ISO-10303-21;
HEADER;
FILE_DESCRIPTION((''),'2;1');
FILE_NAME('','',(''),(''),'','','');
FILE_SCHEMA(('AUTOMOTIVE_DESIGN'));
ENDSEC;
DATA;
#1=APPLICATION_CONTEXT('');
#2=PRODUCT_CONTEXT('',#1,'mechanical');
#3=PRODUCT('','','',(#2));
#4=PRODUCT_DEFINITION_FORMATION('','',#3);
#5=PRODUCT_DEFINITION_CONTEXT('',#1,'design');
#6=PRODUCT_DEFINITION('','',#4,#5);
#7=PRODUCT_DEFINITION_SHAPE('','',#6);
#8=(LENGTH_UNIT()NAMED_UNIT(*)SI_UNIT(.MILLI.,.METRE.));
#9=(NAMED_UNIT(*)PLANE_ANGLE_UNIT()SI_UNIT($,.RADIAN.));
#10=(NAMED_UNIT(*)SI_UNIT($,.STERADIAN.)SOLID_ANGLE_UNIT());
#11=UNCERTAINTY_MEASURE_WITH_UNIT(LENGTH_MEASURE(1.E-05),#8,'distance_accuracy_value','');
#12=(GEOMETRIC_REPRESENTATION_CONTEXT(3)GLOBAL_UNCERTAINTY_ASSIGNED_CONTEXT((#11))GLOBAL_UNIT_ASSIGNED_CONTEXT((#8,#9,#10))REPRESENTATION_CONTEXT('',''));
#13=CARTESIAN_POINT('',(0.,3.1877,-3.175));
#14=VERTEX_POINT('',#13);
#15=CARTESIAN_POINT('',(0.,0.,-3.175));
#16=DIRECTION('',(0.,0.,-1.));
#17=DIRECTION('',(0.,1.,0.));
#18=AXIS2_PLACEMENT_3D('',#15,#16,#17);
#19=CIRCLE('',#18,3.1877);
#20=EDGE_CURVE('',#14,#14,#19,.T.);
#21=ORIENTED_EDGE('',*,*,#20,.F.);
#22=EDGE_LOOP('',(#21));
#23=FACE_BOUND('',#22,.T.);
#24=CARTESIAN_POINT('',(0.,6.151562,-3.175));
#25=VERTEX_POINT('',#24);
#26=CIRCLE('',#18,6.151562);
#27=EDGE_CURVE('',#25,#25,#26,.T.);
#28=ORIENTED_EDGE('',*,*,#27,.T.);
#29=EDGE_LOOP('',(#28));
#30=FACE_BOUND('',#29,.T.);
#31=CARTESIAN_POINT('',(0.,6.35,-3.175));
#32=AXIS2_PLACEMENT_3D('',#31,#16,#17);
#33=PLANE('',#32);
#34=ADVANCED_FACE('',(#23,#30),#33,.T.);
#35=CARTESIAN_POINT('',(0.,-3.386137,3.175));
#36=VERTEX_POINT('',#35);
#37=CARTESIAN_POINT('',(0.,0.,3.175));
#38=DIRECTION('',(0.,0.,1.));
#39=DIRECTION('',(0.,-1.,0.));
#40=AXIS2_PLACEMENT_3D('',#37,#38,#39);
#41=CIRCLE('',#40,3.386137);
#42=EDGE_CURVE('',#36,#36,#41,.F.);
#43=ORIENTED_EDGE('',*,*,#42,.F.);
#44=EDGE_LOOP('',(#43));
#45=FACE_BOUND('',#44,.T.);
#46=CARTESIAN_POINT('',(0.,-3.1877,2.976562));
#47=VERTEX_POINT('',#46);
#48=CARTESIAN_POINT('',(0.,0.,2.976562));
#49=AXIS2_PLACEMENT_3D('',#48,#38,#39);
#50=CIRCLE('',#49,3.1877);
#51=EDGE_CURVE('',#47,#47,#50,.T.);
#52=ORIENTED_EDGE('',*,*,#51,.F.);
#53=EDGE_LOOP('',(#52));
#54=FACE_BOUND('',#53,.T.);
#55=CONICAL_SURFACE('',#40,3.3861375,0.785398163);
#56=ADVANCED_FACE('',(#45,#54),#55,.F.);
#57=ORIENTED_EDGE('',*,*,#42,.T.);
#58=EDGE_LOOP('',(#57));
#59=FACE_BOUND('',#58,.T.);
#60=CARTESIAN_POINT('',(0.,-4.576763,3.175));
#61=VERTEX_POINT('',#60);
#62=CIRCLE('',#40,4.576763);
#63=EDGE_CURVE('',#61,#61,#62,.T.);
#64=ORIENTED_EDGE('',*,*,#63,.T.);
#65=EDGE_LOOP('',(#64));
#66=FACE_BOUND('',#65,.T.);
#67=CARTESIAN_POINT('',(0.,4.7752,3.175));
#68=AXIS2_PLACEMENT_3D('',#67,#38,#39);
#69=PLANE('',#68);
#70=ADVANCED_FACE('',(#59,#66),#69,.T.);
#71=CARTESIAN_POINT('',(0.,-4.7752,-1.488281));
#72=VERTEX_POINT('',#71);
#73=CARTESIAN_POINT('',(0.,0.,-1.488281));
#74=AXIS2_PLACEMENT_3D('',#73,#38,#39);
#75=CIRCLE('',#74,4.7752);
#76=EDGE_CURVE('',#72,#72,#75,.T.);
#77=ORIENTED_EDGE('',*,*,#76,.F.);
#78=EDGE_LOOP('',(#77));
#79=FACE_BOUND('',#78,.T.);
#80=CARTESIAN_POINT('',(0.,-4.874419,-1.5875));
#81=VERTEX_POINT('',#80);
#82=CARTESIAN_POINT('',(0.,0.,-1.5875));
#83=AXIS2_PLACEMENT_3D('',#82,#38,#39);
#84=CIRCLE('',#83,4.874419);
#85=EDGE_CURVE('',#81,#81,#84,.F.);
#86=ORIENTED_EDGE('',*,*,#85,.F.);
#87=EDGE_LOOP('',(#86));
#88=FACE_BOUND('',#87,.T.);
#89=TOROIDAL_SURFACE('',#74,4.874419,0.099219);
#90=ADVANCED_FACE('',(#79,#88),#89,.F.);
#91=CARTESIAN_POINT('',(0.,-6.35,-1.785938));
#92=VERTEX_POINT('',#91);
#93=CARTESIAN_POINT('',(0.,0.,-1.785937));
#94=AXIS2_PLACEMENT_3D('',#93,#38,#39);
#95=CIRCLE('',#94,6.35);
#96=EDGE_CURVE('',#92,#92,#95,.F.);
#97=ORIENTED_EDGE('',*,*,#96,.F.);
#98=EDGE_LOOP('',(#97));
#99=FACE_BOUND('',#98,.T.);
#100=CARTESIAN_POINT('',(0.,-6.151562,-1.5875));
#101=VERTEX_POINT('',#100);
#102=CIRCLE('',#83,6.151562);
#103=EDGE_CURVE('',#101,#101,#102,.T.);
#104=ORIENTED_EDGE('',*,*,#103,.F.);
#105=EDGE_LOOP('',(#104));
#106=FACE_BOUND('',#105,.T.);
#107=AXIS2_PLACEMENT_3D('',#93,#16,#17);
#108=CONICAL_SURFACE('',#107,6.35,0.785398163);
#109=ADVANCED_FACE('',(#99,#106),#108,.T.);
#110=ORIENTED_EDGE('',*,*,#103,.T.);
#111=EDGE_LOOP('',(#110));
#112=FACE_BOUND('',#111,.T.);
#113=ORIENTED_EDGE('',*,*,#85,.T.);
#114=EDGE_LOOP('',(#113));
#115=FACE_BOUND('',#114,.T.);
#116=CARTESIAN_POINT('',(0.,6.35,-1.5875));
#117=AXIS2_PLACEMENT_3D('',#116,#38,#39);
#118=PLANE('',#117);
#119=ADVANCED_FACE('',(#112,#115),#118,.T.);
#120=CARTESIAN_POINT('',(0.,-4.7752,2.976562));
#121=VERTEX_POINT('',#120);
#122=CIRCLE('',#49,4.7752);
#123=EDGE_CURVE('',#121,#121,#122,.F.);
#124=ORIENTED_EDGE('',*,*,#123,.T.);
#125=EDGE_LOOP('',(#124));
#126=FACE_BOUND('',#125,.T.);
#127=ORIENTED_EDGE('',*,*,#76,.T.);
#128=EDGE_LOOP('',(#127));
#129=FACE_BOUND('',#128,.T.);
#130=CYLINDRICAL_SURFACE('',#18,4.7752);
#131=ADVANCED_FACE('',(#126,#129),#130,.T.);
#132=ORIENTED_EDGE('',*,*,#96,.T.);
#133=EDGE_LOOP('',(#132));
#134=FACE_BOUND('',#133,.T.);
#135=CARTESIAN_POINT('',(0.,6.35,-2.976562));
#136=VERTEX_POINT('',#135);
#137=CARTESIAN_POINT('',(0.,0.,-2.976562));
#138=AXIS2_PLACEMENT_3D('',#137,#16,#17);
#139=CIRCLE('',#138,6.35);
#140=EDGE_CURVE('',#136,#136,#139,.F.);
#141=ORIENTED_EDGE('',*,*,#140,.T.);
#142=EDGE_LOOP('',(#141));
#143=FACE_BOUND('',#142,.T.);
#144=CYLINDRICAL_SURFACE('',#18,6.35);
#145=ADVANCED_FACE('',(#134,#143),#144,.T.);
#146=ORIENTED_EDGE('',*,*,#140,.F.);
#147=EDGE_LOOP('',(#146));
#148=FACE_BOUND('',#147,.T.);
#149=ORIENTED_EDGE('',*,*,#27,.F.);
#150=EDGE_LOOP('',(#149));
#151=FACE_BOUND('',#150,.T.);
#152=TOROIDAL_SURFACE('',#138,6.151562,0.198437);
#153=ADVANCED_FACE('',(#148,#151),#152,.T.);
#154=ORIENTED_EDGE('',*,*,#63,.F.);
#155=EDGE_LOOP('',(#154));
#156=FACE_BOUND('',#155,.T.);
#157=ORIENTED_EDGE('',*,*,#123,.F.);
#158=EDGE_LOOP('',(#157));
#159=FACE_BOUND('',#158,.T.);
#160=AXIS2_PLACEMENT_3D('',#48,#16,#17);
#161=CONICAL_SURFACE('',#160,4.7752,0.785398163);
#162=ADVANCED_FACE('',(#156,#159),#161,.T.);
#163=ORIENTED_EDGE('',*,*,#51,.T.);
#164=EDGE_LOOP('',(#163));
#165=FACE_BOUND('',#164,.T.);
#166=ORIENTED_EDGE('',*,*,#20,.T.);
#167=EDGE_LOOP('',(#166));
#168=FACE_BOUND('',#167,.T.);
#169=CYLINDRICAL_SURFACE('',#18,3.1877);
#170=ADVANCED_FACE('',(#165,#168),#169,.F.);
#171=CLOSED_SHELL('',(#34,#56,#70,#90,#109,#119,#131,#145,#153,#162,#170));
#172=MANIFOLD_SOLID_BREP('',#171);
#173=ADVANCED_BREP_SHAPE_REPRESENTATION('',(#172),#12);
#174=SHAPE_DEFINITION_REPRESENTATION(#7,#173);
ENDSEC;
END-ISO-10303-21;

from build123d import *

# Parameters (mm, degrees)
CHAMFER1_SIZE = 0.1984375
FILLET1_R     = 0.1984375
FILLET2_R     = 0.09921875


with BuildPart() as part:
    # Sketch3 → Revolve1 (revolve)
    with BuildSketch(Plane(origin=(0, 0, 0), x_dir=(0, 0, -1), z_dir=(1, 0, 0))):
        Polygon((3.175, 6.35), (1.5875, 6.35), (1.5875, 4.7752), (-3.175, 4.7752), (-3.175, 3.1877), (3.175, 3.1877), align=None)
    revolve(axis=Axis((0, 0, -3.175), (0, 0, 1)))

    # Chamfer1
    chamfer1_edges = [part.edges().sort_by_distance(p)[0] for p in [
        (0, -3.1877, 3.175),
        (0, -4.7752, 3.175),
        (0, -6.35, -1.5875),
    ]]
    chamfer(chamfer1_edges, length=CHAMFER1_SIZE)

    # Fillet1
    fillet1_edges = [part.edges().sort_by_distance(p)[0] for p in [
        (0, -6.35, -3.175),
    ]]
    fillet(fillet1_edges, radius=FILLET1_R)

    # Fillet2
    fillet2_edges = [part.edges().sort_by_distance(p)[0] for p in [
        (0, -4.7752, -1.5875),
    ]]
    fillet(fillet2_edges, radius=FILLET2_R)


solid = part.part
